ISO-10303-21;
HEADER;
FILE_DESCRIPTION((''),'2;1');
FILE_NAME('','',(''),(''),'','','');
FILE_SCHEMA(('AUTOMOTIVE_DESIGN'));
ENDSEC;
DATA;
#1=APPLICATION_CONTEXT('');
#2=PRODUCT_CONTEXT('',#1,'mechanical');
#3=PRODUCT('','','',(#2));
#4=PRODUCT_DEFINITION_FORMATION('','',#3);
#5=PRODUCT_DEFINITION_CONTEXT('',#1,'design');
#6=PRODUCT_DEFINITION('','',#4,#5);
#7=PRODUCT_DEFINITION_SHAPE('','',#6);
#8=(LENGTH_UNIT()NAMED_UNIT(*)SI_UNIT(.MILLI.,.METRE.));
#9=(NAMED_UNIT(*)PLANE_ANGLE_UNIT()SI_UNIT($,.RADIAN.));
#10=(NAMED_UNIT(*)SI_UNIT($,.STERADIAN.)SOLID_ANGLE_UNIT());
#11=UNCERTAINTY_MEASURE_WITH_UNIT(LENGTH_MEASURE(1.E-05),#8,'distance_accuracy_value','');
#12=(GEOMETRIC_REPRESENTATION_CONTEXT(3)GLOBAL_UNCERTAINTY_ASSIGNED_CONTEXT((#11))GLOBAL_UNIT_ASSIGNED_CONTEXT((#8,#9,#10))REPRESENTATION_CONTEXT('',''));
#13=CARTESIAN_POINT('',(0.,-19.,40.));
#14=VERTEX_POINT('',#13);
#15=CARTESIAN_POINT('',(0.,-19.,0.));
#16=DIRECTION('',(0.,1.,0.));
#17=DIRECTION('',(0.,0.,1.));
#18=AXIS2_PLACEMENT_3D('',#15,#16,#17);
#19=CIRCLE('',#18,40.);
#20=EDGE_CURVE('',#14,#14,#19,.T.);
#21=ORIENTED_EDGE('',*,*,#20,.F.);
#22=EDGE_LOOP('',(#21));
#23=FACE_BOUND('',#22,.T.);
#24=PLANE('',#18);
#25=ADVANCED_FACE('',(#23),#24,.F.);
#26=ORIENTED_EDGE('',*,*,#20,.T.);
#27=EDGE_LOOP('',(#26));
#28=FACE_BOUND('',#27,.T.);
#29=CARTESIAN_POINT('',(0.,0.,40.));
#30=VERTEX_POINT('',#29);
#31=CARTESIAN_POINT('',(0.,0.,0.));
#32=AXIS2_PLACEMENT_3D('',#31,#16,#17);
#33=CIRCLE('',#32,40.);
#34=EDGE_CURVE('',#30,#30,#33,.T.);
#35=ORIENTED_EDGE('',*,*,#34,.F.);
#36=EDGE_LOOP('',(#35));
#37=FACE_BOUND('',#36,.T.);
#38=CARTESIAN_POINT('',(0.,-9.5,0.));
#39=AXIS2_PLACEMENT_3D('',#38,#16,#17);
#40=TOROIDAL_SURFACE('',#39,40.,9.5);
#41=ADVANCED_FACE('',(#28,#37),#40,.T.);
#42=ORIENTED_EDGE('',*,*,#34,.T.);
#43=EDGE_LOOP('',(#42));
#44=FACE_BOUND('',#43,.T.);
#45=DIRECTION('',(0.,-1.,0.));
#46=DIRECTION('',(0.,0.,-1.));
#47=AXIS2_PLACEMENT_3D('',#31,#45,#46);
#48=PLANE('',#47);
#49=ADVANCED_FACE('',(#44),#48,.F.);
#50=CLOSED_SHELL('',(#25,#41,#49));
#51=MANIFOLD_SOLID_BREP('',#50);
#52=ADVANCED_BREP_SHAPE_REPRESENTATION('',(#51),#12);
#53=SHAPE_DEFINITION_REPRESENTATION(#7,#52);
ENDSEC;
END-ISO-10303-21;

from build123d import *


with BuildPart() as part:
    # Sketch2 → Revolve1 (revolve)
    with BuildSketch(Plane.XY):
        with BuildLine():
            Line((0, 0), (40, 0))
            ThreePointArc((40, 0), (49.5, -9.5), (40, -19))
            Line((40, -19), (0, -19))
            Line((0, -19), (0, 0))
        make_face()
    revolve(axis=Axis((0, 0, 0), (0, -1, 0)))


solid = part.part
